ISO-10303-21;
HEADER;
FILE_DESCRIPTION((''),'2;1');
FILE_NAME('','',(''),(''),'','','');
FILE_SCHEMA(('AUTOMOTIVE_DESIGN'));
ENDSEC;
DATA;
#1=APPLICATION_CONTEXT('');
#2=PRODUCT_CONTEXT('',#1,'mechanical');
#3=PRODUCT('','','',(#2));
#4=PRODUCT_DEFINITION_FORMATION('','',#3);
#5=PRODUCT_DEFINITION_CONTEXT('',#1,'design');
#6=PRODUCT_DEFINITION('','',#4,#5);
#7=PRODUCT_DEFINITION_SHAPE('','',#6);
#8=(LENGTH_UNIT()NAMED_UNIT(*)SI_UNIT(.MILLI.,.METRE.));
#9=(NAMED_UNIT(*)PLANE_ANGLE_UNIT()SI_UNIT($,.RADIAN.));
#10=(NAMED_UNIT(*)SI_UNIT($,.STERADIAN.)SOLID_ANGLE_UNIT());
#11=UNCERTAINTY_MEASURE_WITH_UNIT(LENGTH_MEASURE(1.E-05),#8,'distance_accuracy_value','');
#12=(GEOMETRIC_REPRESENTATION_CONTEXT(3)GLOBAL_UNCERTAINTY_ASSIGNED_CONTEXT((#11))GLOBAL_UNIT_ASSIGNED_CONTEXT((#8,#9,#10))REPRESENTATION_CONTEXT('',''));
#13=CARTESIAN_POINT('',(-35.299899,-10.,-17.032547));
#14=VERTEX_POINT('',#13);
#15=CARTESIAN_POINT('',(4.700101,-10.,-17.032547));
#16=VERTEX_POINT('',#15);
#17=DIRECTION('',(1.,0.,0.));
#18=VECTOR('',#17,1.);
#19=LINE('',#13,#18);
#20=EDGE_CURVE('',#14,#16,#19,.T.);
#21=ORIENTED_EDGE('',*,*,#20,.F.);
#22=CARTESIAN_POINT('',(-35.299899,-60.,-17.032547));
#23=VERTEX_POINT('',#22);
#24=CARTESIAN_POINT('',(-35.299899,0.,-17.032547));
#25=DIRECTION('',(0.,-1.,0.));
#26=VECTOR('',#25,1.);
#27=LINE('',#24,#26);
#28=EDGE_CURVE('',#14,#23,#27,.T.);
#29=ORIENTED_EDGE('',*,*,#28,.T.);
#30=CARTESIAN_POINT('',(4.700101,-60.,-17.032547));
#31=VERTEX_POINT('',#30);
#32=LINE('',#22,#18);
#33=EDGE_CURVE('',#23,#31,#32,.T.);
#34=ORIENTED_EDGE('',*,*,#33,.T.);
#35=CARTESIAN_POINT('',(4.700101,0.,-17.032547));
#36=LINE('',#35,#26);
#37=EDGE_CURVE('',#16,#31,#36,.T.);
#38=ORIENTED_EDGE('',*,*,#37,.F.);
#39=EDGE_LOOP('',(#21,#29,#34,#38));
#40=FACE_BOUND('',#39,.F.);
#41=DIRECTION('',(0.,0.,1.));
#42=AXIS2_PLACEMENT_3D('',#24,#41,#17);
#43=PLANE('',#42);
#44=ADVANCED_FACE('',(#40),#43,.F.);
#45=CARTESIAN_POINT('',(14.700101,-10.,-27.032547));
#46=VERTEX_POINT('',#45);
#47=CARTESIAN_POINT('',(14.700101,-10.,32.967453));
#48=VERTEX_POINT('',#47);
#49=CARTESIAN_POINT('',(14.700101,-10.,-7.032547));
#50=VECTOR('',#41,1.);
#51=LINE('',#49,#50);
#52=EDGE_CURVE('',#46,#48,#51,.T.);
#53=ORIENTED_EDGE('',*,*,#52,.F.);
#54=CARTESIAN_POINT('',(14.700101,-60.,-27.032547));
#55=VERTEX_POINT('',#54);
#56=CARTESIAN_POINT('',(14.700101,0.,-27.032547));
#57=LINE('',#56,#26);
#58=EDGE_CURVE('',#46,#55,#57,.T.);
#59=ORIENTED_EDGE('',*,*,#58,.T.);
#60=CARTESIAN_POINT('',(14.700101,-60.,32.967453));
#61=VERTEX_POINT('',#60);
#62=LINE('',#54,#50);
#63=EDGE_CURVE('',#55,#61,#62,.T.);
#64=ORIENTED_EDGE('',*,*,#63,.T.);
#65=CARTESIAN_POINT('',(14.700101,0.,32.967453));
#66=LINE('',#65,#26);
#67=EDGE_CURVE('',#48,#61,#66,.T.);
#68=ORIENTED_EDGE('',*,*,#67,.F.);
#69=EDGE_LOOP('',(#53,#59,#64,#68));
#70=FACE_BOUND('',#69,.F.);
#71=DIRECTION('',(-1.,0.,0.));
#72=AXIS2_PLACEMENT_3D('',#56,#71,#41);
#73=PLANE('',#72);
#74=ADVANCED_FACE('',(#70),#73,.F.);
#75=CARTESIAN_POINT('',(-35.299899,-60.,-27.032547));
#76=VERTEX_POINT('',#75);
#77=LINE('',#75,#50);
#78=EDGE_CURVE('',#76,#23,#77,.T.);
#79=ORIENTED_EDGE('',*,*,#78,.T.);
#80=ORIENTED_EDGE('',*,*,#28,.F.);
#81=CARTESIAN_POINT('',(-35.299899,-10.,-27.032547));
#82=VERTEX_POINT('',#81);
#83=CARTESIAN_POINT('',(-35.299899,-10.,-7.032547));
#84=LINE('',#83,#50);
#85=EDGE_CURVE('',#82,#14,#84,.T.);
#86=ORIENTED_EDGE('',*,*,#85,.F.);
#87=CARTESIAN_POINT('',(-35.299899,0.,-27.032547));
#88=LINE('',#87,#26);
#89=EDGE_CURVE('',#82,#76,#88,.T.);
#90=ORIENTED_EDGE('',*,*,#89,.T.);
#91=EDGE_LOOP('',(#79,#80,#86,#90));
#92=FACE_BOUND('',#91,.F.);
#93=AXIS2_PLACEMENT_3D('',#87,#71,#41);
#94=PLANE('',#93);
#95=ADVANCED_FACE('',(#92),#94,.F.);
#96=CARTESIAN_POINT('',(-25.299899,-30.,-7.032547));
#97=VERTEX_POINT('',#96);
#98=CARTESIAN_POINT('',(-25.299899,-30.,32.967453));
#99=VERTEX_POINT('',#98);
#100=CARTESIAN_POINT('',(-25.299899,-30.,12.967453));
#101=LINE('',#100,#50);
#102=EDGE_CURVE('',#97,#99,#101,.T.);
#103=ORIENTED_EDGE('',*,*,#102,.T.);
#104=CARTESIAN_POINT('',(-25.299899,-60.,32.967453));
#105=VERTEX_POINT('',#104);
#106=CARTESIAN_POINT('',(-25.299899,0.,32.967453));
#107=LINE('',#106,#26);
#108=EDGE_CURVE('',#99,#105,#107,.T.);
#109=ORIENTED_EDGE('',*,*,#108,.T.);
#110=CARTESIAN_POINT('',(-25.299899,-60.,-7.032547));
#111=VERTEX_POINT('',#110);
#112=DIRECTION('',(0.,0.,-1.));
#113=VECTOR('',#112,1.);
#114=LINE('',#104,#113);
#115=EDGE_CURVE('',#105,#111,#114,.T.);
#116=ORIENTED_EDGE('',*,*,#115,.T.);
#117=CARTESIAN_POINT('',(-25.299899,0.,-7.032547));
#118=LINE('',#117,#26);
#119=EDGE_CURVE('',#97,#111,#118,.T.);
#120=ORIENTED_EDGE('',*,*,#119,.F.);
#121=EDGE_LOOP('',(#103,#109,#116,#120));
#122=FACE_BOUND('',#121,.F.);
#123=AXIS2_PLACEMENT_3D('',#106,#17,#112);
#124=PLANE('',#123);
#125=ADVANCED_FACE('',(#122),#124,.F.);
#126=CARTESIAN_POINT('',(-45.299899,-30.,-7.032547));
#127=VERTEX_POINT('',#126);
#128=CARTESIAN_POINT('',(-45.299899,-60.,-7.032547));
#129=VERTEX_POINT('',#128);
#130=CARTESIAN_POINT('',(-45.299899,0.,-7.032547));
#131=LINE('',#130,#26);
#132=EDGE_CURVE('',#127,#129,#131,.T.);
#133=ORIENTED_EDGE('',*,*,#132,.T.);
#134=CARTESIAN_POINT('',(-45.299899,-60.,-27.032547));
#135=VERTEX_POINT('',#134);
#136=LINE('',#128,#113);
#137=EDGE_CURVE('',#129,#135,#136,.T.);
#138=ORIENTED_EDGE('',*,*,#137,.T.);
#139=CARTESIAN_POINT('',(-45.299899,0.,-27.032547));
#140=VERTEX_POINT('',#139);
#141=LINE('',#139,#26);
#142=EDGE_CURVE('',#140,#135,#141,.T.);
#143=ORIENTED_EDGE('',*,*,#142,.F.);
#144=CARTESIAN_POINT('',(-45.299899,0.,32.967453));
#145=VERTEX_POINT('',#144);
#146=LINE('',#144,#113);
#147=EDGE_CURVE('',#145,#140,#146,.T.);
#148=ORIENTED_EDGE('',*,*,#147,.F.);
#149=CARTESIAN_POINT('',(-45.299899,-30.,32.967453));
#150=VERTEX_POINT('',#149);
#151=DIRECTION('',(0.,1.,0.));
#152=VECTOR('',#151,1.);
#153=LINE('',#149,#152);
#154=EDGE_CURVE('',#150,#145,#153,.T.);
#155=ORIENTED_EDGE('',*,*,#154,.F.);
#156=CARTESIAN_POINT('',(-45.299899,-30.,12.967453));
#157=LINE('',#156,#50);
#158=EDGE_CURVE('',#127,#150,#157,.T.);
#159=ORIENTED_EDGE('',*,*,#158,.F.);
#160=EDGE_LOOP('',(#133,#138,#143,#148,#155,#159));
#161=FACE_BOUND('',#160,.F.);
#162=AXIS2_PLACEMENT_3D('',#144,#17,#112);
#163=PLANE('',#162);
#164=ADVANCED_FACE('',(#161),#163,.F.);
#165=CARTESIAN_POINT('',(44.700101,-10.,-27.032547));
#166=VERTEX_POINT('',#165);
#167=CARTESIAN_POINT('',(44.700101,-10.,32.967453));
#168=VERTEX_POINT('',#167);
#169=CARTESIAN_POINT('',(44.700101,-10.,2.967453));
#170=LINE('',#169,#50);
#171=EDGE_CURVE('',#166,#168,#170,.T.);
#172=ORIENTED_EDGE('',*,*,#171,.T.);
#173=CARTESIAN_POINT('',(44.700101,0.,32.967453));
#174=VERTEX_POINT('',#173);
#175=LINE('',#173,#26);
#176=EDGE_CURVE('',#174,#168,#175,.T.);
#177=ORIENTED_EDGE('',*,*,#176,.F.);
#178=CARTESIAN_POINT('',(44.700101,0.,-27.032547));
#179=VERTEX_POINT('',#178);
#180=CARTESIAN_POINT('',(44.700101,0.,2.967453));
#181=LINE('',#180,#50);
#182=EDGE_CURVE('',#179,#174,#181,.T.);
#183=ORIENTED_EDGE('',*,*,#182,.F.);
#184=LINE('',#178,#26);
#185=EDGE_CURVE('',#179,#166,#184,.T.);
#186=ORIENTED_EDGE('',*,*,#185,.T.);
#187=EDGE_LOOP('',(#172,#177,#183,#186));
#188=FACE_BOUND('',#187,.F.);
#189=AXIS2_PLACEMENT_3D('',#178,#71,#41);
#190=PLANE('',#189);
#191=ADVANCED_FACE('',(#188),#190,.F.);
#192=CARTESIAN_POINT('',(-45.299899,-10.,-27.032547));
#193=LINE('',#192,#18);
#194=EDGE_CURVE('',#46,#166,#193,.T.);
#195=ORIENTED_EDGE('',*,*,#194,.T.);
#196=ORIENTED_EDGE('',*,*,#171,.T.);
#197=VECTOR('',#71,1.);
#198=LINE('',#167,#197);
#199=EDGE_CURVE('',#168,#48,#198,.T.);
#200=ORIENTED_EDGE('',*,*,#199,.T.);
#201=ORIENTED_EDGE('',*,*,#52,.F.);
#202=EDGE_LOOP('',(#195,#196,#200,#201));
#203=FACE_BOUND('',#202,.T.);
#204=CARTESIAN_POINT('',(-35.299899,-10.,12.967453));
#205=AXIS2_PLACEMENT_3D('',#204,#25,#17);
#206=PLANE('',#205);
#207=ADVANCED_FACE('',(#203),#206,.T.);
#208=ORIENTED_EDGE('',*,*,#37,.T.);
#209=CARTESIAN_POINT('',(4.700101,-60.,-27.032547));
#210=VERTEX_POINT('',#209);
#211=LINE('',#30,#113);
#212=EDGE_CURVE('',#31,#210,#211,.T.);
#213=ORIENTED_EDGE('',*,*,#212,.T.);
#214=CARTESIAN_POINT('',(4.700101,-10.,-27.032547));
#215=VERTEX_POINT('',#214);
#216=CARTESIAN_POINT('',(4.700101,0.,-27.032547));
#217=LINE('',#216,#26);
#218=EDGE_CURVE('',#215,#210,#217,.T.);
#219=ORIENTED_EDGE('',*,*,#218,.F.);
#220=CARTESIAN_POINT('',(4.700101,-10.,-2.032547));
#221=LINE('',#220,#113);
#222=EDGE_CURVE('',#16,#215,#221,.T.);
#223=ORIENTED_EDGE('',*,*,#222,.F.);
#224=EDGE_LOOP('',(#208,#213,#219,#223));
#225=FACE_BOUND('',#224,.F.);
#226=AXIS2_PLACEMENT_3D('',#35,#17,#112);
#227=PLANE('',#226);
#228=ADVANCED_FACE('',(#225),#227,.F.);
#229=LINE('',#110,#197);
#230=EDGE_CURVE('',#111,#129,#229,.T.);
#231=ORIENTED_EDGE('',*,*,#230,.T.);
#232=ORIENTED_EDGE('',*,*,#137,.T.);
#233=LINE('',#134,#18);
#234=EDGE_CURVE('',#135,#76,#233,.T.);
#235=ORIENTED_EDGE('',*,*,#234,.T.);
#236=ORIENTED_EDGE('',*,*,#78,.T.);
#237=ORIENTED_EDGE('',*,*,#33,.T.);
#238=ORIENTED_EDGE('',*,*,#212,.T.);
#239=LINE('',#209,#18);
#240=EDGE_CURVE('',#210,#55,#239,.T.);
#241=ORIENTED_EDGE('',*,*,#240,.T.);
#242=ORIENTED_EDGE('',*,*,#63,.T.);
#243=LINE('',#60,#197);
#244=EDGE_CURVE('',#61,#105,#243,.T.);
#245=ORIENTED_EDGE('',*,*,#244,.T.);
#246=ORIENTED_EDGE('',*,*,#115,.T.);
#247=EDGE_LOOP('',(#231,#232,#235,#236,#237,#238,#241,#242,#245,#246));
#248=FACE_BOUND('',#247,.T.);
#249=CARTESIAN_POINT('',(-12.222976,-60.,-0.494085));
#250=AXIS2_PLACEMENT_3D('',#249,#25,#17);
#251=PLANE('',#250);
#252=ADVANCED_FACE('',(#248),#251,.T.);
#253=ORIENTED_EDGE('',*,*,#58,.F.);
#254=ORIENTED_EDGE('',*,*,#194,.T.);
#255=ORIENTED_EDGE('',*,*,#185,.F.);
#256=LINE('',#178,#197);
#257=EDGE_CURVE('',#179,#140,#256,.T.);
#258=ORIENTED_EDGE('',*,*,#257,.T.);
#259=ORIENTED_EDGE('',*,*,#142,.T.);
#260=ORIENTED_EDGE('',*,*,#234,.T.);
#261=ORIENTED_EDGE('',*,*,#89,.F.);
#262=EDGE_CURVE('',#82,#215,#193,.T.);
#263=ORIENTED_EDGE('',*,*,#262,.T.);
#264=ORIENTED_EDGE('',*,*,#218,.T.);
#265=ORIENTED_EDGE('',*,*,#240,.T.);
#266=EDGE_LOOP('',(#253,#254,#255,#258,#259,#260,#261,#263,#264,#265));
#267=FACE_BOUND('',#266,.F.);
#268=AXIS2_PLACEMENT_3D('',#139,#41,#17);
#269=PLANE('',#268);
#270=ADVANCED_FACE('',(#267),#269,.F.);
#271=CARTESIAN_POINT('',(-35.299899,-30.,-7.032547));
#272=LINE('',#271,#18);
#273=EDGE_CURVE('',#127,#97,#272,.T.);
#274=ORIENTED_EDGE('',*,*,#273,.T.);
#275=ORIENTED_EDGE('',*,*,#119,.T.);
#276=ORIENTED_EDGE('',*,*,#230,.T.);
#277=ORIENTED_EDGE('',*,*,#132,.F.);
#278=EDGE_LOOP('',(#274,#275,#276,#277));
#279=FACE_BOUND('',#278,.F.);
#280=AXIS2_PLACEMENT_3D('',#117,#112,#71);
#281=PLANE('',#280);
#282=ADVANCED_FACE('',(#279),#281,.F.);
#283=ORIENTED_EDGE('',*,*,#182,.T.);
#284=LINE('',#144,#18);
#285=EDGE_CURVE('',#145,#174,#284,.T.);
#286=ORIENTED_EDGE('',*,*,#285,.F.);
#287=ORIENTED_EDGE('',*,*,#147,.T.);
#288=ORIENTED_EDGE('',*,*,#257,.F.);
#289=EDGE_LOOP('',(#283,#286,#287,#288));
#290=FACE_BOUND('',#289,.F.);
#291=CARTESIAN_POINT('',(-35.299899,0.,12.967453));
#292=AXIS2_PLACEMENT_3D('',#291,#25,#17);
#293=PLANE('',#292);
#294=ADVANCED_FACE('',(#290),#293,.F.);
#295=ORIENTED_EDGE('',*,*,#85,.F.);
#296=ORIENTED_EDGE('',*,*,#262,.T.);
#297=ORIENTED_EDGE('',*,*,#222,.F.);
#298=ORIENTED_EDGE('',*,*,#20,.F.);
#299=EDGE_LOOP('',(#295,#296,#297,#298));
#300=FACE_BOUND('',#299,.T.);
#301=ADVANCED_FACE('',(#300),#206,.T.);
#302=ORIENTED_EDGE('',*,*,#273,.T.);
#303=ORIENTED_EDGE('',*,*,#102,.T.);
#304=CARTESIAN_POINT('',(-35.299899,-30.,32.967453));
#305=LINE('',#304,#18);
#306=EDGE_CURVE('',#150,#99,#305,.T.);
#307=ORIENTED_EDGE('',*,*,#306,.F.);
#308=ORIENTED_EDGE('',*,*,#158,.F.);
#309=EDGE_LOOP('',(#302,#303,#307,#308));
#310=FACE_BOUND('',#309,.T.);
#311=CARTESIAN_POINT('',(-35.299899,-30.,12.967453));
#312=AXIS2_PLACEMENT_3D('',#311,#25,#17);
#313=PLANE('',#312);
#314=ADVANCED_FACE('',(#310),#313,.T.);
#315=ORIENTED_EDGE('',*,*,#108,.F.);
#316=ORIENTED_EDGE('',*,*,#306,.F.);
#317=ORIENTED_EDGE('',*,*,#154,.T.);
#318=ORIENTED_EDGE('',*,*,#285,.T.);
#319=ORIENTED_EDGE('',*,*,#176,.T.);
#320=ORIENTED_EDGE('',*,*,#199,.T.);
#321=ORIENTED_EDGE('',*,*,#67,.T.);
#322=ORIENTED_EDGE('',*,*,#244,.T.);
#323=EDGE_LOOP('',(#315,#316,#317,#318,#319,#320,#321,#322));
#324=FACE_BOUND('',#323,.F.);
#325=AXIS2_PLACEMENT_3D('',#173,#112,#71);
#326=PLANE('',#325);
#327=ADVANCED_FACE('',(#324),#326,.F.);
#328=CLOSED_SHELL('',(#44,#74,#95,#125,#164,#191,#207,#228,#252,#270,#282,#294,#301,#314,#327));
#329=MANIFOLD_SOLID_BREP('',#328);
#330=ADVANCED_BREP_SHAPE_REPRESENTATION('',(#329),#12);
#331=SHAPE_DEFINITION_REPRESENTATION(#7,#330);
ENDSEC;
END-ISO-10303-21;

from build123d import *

# Parameters (mm, degrees)
F1_DEPTH = 60
F0_W     = 20
F0_H     = 40
F0_W_2   = 30
F0_H_2   = 60
F0_W_3   = 40
F0_H_3   = 10
F2_DEPTH = 10
F3_DEPTH = 30


with BuildPart() as f1:
    # F0 (on Front) → F1 (new body)
    with BuildSketch(Plane.XZ):
        Polygon((14.700101, 32.967453), (-25.299899, 32.967453), (-25.299899, -7.032547), (-45.299899, -7.032547), (-45.299899, -27.032547), (-35.299899, -27.032547), (-35.299899, -17.032547), (4.700101, -17.032547), (4.700101, -27.032547), (14.700101, -27.032547), align=None)
    extrude(amount=F1_DEPTH)

    # F0 (on Front) → F2 (join)
    with BuildSketch(Plane.XZ):
        with Locations((-35.299899, 12.967453)):
            Rectangle(F0_W, F0_H)
        Polygon((14.700101, 32.967453), (-25.299899, 32.967453), (-25.299899, -7.032547), (-45.299899, -7.032547), (-45.299899, -27.032547), (-35.299899, -27.032547), (-35.299899, -17.032547), (4.700101, -17.032547), (4.700101, -27.032547), (14.700101, -27.032547), align=None)
        with Locations((29.700101, 2.967453)):
            Rectangle(F0_W_2, F0_H_2)
        with Locations((-15.299899, -22.032547)):
            Rectangle(F0_W_3, F0_H_3)
    extrude(amount=F2_DEPTH)

    # F0 (on Front) → F3 (join)
    with BuildSketch(Plane.XZ):
        with Locations((-35.299899, 12.967453)):
            Rectangle(F0_W, F0_H)
    extrude(amount=F3_DEPTH)


solid = f1.part
